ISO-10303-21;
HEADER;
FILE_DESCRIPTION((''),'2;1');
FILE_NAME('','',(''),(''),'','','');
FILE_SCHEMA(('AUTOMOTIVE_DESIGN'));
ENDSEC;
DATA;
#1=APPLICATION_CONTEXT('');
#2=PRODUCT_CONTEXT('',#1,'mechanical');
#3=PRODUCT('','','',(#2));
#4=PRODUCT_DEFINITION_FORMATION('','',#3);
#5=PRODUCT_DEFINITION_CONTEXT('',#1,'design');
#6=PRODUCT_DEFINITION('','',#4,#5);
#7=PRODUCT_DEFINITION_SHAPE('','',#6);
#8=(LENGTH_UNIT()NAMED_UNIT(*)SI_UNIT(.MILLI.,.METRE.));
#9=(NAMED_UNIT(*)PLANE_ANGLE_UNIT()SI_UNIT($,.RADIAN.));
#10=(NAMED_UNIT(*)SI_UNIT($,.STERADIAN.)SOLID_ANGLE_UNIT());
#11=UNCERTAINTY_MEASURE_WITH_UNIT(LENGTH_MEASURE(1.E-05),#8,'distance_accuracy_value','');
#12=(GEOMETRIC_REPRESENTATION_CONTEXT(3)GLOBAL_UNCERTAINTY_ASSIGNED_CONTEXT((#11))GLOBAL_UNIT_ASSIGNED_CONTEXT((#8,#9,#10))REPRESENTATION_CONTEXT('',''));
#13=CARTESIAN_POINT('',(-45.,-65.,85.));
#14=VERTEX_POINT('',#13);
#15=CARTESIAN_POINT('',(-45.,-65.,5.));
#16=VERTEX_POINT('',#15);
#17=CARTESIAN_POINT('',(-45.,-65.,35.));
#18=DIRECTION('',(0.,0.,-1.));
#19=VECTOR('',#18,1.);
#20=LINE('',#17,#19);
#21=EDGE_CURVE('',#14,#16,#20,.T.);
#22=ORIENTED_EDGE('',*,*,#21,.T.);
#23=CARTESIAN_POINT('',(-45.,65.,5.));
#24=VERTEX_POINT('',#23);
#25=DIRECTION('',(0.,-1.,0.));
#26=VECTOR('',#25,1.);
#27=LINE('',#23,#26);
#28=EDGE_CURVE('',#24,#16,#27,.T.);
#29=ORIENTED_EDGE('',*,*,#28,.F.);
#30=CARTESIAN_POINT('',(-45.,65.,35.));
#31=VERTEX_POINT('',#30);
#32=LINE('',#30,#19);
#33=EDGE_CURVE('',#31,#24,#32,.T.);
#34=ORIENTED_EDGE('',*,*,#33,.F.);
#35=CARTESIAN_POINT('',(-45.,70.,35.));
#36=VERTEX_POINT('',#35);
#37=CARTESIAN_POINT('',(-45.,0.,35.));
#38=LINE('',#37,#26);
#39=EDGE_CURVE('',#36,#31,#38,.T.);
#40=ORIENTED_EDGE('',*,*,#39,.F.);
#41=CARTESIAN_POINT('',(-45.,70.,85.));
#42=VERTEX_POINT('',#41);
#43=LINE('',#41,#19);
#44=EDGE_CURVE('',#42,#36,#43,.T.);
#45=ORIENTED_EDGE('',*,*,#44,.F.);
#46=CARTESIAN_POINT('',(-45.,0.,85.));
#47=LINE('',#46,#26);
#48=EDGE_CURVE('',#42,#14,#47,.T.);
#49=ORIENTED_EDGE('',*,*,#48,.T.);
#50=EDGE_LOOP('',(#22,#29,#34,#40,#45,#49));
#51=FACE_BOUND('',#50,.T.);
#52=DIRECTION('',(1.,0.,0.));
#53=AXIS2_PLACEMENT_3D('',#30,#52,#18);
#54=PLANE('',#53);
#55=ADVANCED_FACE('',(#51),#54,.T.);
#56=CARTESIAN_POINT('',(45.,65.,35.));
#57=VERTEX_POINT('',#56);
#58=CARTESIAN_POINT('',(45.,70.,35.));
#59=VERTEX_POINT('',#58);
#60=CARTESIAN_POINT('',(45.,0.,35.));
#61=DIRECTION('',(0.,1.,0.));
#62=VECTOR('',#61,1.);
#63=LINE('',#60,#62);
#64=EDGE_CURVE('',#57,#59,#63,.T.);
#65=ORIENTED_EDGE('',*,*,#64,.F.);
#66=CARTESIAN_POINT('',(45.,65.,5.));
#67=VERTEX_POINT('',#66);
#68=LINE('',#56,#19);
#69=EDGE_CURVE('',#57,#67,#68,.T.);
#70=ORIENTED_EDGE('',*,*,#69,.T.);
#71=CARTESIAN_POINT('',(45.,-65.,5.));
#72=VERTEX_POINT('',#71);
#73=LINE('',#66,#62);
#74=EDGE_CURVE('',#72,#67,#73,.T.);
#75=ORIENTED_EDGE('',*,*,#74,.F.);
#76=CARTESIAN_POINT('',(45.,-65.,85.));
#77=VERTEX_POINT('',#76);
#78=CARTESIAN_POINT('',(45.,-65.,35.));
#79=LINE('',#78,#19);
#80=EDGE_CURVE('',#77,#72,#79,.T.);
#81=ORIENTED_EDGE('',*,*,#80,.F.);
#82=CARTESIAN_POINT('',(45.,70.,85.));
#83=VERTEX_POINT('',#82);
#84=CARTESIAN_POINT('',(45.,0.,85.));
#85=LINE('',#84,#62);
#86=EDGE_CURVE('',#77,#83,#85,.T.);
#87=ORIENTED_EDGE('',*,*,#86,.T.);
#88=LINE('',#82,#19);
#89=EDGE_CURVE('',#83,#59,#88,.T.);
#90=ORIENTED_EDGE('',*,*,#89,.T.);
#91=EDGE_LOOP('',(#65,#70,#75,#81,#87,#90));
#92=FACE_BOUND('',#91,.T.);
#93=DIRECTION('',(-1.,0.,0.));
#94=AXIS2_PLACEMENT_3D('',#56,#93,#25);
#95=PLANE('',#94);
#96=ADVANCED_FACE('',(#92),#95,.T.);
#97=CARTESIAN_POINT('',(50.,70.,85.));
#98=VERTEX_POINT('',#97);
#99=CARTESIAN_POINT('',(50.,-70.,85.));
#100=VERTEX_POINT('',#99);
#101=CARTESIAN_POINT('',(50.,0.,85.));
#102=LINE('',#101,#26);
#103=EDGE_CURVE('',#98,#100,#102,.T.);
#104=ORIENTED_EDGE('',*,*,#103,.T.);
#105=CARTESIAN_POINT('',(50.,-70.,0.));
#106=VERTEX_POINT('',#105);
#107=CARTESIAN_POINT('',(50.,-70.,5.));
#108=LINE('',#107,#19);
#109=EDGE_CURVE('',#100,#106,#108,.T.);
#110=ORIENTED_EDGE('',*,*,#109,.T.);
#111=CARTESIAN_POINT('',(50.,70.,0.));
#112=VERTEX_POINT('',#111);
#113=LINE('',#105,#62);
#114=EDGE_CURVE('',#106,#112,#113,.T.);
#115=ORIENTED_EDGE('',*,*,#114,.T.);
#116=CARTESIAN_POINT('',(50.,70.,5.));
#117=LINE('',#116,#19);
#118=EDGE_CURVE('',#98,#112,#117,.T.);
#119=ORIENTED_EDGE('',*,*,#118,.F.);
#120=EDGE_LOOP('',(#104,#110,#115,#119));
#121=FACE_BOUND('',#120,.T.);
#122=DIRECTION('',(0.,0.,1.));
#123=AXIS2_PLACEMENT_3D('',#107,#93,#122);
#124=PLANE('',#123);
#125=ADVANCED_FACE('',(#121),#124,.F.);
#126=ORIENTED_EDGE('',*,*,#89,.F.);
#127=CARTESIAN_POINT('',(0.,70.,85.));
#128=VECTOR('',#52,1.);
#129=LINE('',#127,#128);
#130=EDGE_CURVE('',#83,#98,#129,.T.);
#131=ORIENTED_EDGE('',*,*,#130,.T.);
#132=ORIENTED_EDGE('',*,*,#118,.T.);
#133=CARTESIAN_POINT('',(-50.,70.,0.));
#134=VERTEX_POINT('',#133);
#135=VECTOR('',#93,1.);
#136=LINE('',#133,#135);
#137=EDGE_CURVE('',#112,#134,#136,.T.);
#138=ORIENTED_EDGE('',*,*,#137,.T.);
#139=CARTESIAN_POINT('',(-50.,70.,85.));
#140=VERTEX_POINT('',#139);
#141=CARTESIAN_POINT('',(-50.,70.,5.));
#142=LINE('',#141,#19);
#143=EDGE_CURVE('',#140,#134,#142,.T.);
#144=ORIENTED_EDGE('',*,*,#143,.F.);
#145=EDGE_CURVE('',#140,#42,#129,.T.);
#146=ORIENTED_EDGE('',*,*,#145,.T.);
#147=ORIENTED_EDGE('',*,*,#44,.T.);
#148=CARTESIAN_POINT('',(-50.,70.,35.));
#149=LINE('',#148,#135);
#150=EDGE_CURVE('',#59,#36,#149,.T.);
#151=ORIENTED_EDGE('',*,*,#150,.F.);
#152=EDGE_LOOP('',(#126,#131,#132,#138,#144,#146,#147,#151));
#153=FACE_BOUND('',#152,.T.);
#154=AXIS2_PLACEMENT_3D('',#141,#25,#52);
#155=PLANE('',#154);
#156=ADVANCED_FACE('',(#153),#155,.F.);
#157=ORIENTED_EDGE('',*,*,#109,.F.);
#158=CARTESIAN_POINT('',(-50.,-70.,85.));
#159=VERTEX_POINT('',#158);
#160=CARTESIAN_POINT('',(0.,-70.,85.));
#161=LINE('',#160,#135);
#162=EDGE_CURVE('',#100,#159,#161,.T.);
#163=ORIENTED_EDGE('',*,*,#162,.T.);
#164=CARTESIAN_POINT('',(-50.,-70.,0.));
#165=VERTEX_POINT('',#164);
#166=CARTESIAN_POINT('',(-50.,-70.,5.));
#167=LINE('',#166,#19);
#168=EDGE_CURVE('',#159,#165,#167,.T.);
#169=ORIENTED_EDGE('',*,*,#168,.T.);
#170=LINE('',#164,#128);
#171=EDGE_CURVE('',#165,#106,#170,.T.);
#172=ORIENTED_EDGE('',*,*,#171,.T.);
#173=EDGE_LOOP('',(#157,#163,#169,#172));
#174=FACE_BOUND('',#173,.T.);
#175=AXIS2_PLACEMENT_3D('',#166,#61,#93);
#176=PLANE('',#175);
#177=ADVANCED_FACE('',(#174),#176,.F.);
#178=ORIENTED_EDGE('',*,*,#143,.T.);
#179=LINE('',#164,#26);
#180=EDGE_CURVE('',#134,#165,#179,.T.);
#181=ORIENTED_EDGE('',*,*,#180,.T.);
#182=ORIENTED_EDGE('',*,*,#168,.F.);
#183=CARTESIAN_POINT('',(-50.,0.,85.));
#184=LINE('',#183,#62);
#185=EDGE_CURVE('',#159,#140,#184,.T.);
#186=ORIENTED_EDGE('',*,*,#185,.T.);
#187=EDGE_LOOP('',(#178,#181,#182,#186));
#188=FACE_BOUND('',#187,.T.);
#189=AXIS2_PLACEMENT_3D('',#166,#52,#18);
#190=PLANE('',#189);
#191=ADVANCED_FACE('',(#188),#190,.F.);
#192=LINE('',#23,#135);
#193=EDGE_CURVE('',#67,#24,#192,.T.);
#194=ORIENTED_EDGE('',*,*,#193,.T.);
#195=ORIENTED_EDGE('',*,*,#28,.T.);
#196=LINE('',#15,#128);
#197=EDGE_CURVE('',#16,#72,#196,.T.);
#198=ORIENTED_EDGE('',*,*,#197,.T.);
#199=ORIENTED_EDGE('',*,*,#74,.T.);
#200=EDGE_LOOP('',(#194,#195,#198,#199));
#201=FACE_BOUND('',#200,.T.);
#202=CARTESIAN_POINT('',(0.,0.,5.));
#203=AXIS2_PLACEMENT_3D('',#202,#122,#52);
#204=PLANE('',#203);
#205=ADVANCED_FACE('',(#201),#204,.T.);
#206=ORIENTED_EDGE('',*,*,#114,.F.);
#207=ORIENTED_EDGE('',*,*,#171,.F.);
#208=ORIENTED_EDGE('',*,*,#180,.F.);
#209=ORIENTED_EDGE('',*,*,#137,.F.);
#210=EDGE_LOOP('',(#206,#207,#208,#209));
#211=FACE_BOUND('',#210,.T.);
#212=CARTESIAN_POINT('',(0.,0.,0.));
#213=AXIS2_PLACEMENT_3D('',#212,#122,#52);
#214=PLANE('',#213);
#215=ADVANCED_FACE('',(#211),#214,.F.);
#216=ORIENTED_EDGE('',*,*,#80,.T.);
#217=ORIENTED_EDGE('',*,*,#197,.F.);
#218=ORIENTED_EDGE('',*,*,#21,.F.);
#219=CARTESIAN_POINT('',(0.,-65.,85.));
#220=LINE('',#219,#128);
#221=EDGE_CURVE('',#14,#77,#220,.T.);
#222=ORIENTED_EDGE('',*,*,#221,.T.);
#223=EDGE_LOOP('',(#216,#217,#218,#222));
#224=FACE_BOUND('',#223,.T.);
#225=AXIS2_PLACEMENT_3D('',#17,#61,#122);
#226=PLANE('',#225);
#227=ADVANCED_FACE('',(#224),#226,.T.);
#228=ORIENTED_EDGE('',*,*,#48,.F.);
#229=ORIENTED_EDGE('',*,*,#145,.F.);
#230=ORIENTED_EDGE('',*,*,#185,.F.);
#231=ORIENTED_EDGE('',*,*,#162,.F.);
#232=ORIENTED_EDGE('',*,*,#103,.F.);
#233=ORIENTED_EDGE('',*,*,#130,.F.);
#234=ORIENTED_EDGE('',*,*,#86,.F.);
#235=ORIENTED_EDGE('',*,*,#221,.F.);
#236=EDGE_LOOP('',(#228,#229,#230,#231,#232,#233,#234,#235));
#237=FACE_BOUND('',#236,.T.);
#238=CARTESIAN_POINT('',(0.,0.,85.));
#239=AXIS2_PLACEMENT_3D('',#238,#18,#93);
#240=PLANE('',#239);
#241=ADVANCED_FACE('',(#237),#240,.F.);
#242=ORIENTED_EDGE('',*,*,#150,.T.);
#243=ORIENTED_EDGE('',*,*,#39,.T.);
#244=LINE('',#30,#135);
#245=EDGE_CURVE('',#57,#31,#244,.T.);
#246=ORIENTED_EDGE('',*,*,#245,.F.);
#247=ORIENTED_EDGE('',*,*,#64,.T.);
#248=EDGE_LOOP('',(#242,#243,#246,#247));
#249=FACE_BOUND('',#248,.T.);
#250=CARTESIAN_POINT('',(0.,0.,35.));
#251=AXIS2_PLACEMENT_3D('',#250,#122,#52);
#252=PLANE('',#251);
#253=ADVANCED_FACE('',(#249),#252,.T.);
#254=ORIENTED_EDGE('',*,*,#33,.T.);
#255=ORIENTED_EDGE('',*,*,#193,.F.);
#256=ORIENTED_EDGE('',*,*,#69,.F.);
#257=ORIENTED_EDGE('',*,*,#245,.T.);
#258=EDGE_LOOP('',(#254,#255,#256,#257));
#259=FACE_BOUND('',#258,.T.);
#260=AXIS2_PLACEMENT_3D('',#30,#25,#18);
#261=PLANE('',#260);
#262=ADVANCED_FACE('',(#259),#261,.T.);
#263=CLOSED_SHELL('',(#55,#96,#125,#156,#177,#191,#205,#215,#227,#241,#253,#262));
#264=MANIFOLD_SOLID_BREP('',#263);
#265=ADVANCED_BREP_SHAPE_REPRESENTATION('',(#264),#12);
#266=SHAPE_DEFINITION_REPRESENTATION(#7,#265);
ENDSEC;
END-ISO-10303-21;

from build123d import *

# Parameters (mm, degrees)
SKETCH2_W           = 140
SKETCH2_H           = 100
BOSS_EXTRUDE1_DEPTH = 5
SKETCH3_W           = 100
SKETCH3_H           = 140
SKETCH3_W_2         = 90
SKETCH3_H_2         = 130
BOSS_EXTRUDE2_DEPTH = 30
BOSS_EXTRUDE3_START = 35
BOSS_EXTRUDE3_DEPTH = 50


with BuildPart() as part:
    # Sketch2 → Boss-Extrude1 (new body)
    with BuildSketch(Plane(origin=(0, 0, 0), x_dir=(0, 1, 0), z_dir=(0, 0, 1))):
        Rectangle(SKETCH2_W, SKETCH2_H)
    extrude(amount=BOSS_EXTRUDE1_DEPTH)

    # Sketch3 → Boss-Extrude2 (add)
    with BuildSketch(Plane.XY.offset(5)):
        Rectangle(SKETCH3_W, SKETCH3_H)
        Rectangle(SKETCH3_W_2, SKETCH3_H_2, mode=Mode.SUBTRACT)
    extrude(amount=BOSS_EXTRUDE2_DEPTH)

    # Sketch4 → Boss-Extrude3 (add)
    with BuildSketch(Plane(origin=(0, 0, 0), x_dir=(0, 1, 0), z_dir=(0, 0, 1)).offset(BOSS_EXTRUDE3_START)):
        Polygon((70, 50), (-70, 50), (-70, -50), (70, -50), (70, -45), (-65, -45), (-65, 45), (70, 45), align=None)
    extrude(amount=BOSS_EXTRUDE3_DEPTH)


solid = part.part
